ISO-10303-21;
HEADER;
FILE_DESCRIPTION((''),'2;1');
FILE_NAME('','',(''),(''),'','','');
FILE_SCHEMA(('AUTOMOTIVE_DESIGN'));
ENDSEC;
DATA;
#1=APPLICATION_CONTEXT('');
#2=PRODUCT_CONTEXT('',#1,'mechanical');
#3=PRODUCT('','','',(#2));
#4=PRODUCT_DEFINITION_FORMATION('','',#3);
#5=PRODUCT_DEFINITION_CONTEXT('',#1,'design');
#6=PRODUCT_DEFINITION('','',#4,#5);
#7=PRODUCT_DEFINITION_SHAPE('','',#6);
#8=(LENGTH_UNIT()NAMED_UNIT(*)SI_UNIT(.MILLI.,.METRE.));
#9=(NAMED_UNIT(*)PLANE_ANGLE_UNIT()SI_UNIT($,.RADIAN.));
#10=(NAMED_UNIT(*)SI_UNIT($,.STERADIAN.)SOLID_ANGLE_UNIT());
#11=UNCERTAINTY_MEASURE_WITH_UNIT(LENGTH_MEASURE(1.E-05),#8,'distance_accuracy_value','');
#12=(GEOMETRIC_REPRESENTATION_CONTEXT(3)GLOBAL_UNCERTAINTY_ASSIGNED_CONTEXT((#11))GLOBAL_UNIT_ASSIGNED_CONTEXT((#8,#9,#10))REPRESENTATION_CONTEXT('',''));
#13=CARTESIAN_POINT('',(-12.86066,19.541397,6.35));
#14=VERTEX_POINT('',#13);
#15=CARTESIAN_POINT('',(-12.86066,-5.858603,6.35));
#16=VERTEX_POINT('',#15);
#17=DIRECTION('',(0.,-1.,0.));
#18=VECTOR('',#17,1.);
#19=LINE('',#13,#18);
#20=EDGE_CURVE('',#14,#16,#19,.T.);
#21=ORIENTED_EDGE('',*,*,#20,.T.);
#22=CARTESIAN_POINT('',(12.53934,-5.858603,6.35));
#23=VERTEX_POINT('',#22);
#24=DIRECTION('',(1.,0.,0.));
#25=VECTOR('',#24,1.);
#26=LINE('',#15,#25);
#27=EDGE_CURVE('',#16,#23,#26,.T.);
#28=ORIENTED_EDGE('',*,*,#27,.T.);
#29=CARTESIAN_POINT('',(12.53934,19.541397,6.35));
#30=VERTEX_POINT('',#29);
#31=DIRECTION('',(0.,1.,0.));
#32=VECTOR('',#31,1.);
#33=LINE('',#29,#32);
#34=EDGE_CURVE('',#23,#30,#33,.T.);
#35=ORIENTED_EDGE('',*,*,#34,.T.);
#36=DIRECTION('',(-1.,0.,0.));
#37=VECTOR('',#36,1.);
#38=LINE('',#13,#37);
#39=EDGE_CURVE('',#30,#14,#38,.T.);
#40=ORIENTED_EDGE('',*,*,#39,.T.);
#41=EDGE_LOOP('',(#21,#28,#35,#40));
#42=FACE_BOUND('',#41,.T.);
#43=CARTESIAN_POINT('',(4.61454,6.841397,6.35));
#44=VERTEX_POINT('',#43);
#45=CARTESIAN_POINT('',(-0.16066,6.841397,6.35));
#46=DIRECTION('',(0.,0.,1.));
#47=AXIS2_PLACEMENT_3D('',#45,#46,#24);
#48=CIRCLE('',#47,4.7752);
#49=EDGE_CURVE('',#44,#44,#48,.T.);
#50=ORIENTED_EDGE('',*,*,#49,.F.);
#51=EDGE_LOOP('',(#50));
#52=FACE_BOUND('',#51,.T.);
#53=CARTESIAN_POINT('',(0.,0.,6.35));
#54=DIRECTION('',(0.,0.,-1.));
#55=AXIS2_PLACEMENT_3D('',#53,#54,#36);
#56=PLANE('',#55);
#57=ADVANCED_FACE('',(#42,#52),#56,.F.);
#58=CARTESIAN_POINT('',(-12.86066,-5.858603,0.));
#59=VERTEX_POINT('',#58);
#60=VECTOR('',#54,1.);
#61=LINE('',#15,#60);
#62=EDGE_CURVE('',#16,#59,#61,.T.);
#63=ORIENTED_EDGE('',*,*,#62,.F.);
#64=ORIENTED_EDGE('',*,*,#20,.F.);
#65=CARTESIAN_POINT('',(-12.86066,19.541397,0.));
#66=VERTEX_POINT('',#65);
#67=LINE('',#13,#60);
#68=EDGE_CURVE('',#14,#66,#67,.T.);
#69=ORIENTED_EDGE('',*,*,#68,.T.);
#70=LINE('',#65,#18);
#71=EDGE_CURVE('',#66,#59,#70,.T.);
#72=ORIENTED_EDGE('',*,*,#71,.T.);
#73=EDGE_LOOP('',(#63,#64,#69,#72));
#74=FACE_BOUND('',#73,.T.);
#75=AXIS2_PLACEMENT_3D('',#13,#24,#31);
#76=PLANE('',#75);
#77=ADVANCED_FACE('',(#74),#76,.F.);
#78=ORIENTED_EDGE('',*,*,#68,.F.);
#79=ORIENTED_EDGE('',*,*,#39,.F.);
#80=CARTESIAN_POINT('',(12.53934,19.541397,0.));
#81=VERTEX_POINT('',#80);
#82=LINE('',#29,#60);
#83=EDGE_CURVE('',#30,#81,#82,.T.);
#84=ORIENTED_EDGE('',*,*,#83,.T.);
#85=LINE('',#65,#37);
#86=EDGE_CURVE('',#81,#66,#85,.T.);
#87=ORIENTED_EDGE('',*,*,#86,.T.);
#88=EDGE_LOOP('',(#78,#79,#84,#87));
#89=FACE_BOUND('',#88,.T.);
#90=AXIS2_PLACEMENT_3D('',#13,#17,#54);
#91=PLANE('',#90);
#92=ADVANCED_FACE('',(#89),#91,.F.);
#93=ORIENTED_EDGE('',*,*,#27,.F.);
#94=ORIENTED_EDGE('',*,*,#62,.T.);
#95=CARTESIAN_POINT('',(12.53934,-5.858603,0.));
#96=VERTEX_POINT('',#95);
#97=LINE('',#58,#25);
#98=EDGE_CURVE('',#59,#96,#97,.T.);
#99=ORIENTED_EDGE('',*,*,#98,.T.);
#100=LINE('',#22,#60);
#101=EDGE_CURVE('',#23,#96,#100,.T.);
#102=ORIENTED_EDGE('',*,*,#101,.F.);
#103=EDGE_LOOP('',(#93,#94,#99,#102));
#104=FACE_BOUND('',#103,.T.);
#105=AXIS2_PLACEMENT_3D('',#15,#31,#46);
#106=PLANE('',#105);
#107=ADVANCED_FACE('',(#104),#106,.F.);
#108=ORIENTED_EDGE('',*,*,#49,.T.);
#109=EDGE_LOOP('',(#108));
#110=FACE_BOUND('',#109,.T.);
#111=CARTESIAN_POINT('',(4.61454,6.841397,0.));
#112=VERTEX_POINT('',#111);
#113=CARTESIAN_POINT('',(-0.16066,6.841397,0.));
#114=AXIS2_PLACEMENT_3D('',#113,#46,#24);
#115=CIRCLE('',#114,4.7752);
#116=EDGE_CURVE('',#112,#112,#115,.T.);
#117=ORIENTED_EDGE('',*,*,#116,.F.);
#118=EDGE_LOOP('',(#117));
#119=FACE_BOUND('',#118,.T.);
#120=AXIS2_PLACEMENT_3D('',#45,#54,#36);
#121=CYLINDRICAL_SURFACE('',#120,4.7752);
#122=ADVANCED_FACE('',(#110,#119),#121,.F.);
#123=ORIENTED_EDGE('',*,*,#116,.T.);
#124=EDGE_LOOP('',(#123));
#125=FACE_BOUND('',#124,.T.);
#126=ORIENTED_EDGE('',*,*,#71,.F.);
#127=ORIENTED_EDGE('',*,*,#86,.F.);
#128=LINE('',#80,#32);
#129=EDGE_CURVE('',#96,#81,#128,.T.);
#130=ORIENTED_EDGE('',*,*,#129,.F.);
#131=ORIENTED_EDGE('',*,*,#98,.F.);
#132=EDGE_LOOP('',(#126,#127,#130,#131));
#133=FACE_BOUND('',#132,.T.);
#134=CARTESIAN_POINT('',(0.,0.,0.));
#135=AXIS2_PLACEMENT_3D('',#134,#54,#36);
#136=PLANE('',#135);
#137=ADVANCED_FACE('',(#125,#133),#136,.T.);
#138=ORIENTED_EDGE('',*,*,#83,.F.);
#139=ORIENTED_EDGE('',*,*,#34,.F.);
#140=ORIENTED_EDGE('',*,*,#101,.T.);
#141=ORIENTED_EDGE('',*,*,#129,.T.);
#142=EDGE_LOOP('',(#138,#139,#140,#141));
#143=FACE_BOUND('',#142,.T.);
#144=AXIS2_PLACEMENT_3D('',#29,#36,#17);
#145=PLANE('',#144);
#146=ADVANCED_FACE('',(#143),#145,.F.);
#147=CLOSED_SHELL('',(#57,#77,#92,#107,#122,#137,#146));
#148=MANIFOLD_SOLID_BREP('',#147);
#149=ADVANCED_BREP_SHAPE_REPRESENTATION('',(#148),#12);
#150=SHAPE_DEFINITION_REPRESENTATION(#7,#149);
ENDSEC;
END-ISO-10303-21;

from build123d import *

# Parameters (mm, degrees)
SKETCH1_W           = 25.4
SKETCH1_H           = 25.4
SKETCH1_R           = 4.7752
BOSS_EXTRUDE1_DEPTH = 6.35


with BuildPart() as part:
    # Sketch1 → Boss-Extrude1 (new body)
    with BuildSketch(Plane.XY):
        with Locations((-0.160659769, 6.84139722)):
            Rectangle(SKETCH1_W, SKETCH1_H)
        with Locations((-0.160659769, 6.84139722)):
            Circle(SKETCH1_R, mode=Mode.SUBTRACT)
    extrude(amount=BOSS_EXTRUDE1_DEPTH)


solid = part.part
